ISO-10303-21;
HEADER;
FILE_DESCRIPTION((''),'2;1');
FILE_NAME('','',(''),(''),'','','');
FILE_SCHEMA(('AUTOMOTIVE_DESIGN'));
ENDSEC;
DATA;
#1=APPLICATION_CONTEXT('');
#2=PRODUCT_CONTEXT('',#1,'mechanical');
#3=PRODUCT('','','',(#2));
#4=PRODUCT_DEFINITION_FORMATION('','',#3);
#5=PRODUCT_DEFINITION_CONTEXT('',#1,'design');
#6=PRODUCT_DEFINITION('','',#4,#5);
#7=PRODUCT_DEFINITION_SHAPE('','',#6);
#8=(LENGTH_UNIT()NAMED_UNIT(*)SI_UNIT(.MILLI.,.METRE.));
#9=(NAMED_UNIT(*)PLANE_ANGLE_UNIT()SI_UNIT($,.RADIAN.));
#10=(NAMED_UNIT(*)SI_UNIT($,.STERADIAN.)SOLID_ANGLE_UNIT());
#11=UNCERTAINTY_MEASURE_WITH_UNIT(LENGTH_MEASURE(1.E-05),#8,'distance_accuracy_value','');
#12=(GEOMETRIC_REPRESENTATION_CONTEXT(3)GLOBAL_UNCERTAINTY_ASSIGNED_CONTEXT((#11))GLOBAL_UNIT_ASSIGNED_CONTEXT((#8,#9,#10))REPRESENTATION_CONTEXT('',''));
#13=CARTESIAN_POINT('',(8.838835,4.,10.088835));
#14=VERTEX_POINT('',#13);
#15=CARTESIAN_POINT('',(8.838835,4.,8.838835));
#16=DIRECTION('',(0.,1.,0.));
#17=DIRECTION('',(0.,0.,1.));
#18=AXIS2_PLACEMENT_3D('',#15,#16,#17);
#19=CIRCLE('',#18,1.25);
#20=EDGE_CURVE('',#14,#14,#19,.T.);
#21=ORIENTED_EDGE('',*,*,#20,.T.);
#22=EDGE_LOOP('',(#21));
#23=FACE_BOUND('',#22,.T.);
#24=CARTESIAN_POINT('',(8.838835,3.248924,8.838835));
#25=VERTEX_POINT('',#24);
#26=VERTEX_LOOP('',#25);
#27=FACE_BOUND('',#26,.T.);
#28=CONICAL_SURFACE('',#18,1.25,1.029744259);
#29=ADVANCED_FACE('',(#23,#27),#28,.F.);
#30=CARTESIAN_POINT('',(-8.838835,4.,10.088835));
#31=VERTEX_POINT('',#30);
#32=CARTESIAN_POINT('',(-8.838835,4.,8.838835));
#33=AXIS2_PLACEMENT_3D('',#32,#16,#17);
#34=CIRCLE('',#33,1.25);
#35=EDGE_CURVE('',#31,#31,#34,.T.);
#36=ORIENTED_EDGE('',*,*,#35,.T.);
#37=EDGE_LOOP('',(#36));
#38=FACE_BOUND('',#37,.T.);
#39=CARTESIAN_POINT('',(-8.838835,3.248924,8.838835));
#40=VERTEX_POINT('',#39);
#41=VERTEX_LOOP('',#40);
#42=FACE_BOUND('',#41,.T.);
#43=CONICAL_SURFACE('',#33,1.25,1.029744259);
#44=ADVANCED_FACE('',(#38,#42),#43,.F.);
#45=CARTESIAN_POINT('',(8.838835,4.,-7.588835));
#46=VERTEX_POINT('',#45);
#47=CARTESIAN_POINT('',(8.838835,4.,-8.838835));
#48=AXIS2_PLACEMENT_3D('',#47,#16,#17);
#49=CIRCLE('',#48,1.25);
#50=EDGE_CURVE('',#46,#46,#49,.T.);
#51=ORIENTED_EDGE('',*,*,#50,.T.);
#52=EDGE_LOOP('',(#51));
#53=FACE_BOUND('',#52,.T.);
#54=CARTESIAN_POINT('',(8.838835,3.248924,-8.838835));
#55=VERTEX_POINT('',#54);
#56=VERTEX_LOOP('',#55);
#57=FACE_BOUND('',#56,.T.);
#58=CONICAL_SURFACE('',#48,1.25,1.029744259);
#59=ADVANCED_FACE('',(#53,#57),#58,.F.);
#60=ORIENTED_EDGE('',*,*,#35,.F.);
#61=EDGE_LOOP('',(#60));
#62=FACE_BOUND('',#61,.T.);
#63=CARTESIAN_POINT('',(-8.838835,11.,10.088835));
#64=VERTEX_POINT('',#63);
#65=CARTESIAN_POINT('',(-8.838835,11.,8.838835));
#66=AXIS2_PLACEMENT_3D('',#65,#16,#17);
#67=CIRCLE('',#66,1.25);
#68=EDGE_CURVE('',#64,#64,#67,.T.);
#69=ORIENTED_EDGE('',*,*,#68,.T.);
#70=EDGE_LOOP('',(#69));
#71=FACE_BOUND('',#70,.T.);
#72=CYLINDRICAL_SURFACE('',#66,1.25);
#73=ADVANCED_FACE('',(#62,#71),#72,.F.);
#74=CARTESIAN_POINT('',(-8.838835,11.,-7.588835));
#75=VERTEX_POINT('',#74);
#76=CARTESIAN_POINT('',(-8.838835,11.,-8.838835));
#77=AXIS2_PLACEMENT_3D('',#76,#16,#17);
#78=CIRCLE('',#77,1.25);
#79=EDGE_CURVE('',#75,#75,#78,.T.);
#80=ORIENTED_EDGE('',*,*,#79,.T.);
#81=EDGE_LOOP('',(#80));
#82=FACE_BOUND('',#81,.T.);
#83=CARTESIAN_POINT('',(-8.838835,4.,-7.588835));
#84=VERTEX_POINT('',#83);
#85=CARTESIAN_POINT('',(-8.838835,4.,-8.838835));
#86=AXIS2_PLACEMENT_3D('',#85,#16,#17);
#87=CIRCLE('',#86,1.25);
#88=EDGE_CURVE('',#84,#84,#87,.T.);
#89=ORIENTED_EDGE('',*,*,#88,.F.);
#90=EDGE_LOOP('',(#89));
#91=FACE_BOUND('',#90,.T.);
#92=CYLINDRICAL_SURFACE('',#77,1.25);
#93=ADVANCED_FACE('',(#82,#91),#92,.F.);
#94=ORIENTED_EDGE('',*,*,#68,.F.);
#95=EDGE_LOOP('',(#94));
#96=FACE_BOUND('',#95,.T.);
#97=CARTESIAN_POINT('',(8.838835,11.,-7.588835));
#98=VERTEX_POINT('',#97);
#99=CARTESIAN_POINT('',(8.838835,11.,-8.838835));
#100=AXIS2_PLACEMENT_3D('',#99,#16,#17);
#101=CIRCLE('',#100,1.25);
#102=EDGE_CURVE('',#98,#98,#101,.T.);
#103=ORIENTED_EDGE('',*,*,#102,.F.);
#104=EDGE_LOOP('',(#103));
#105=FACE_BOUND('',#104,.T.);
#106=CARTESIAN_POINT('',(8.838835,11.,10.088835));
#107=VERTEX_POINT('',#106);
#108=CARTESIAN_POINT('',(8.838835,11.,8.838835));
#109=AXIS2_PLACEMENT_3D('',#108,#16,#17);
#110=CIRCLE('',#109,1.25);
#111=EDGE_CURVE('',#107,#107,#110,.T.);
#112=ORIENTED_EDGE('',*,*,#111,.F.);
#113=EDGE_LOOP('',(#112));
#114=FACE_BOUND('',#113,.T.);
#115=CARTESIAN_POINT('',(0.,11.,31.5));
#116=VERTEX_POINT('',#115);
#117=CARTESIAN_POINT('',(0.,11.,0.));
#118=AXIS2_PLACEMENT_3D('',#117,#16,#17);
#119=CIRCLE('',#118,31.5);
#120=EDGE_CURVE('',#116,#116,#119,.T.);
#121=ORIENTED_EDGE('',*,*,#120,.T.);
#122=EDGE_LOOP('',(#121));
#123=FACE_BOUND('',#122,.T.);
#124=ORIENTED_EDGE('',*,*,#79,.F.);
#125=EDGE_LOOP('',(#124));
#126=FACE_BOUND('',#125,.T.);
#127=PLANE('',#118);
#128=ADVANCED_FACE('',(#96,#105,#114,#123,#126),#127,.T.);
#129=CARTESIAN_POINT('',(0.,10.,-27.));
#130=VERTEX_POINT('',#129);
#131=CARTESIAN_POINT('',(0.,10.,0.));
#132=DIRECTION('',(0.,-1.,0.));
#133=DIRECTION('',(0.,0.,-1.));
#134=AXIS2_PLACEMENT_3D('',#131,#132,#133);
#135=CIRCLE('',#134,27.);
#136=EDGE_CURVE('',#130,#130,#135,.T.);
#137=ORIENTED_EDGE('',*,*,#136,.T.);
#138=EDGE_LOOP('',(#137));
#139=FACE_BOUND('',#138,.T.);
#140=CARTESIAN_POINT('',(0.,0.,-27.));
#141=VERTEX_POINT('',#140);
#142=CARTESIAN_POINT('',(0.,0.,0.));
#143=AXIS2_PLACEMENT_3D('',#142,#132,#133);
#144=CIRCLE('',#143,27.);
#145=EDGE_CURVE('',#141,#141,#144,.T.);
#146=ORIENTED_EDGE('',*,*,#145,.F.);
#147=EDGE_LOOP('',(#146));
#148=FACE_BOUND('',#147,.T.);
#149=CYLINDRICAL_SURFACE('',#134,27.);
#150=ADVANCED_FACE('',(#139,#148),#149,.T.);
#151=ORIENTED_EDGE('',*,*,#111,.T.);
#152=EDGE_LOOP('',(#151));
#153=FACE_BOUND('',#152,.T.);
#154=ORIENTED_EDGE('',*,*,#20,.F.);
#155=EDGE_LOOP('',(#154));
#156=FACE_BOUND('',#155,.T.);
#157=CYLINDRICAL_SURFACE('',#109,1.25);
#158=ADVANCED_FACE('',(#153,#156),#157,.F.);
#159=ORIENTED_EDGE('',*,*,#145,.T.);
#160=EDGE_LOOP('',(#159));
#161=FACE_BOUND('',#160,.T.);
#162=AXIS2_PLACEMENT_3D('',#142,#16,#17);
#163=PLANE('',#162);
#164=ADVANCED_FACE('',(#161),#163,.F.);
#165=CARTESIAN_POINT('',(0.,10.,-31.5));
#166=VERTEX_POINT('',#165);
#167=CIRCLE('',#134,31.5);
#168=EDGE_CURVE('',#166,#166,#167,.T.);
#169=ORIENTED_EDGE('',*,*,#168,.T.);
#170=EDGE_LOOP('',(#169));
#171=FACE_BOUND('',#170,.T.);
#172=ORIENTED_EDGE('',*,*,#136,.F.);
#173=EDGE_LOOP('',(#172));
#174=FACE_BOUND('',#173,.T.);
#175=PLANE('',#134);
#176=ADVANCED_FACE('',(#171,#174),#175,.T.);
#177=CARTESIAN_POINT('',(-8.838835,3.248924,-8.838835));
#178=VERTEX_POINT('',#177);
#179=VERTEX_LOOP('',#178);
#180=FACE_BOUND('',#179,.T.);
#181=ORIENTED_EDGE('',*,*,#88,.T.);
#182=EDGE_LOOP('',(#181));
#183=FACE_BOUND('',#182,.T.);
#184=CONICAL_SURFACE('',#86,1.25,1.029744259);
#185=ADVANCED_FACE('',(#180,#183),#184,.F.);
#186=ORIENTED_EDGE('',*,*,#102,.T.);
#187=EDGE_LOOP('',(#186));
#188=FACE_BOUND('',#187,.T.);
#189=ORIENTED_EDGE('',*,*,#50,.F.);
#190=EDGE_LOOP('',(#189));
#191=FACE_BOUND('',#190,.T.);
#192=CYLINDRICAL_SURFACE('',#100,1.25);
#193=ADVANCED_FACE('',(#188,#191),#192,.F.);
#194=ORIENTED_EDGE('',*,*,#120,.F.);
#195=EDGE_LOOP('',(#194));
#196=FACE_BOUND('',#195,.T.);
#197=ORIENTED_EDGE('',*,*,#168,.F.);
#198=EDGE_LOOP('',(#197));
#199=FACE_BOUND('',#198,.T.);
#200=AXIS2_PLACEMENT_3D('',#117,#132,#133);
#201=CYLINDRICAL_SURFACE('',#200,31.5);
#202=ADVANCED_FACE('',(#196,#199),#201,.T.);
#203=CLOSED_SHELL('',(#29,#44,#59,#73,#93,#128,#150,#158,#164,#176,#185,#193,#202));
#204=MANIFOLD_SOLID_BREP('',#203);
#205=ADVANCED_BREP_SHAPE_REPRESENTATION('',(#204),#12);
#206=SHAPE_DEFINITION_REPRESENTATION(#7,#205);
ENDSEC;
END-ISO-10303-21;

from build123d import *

# Parameters (mm, degrees)
SKETCH1_R                       = 31.5
BOSS_EXTRUDE1_DEPTH             = 11
TAP_DRILL_FOR_M3X0_5_TAP1_D     = 2.5
TAP_DRILL_FOR_M3X0_5_TAP1_DEPTH = 7
TAP_DRILL_FOR_M3X0_5_TAP1_TIP   = 0.751075774
SKETCH9_OUTSIDE_W               = 82.954
SKETCH9_OUTSIDE_H               = 82.954
SKETCH9_OUTSIDE_R               = 27
CUT_EXTRUDE1_DEPTH              = 10


with BuildPart() as part:
    # Sketch1 → Boss-Extrude1 (new body)
    with BuildSketch(Plane(origin=(0, 0, 0), x_dir=(1, 0, 0), z_dir=(0, 1, 0))):
        Circle(SKETCH1_R)
    extrude(amount=BOSS_EXTRUDE1_DEPTH)

    # Tap Drill for M3x0.5 Tap1
    with Locations(Plane(origin=(0, 11, 0), x_dir=(1, 0, 0), z_dir=(0, 1, 0))):
        with Locations((-8.838834765, 8.838834765), (8.838834765, 8.838834765), (8.838834765, -8.838834765), (-8.838834765, -8.838834765)):
            Hole(TAP_DRILL_FOR_M3X0_5_TAP1_D / 2, depth=TAP_DRILL_FOR_M3X0_5_TAP1_DEPTH)
            with Locations((0, 0, -(TAP_DRILL_FOR_M3X0_5_TAP1_DEPTH + TAP_DRILL_FOR_M3X0_5_TAP1_TIP / 2))):  # 118° drill point
                Cone(0, TAP_DRILL_FOR_M3X0_5_TAP1_D / 2, TAP_DRILL_FOR_M3X0_5_TAP1_TIP, mode=Mode.SUBTRACT)

    # Sketch9 outside → Cut-Extrude1 (cut)
    with BuildSketch(Plane.XZ):
        Rectangle(SKETCH9_OUTSIDE_W, SKETCH9_OUTSIDE_H)
        Circle(SKETCH9_OUTSIDE_R, mode=Mode.SUBTRACT)
    extrude(amount=-CUT_EXTRUDE1_DEPTH, mode=Mode.SUBTRACT)


solid = part.part
